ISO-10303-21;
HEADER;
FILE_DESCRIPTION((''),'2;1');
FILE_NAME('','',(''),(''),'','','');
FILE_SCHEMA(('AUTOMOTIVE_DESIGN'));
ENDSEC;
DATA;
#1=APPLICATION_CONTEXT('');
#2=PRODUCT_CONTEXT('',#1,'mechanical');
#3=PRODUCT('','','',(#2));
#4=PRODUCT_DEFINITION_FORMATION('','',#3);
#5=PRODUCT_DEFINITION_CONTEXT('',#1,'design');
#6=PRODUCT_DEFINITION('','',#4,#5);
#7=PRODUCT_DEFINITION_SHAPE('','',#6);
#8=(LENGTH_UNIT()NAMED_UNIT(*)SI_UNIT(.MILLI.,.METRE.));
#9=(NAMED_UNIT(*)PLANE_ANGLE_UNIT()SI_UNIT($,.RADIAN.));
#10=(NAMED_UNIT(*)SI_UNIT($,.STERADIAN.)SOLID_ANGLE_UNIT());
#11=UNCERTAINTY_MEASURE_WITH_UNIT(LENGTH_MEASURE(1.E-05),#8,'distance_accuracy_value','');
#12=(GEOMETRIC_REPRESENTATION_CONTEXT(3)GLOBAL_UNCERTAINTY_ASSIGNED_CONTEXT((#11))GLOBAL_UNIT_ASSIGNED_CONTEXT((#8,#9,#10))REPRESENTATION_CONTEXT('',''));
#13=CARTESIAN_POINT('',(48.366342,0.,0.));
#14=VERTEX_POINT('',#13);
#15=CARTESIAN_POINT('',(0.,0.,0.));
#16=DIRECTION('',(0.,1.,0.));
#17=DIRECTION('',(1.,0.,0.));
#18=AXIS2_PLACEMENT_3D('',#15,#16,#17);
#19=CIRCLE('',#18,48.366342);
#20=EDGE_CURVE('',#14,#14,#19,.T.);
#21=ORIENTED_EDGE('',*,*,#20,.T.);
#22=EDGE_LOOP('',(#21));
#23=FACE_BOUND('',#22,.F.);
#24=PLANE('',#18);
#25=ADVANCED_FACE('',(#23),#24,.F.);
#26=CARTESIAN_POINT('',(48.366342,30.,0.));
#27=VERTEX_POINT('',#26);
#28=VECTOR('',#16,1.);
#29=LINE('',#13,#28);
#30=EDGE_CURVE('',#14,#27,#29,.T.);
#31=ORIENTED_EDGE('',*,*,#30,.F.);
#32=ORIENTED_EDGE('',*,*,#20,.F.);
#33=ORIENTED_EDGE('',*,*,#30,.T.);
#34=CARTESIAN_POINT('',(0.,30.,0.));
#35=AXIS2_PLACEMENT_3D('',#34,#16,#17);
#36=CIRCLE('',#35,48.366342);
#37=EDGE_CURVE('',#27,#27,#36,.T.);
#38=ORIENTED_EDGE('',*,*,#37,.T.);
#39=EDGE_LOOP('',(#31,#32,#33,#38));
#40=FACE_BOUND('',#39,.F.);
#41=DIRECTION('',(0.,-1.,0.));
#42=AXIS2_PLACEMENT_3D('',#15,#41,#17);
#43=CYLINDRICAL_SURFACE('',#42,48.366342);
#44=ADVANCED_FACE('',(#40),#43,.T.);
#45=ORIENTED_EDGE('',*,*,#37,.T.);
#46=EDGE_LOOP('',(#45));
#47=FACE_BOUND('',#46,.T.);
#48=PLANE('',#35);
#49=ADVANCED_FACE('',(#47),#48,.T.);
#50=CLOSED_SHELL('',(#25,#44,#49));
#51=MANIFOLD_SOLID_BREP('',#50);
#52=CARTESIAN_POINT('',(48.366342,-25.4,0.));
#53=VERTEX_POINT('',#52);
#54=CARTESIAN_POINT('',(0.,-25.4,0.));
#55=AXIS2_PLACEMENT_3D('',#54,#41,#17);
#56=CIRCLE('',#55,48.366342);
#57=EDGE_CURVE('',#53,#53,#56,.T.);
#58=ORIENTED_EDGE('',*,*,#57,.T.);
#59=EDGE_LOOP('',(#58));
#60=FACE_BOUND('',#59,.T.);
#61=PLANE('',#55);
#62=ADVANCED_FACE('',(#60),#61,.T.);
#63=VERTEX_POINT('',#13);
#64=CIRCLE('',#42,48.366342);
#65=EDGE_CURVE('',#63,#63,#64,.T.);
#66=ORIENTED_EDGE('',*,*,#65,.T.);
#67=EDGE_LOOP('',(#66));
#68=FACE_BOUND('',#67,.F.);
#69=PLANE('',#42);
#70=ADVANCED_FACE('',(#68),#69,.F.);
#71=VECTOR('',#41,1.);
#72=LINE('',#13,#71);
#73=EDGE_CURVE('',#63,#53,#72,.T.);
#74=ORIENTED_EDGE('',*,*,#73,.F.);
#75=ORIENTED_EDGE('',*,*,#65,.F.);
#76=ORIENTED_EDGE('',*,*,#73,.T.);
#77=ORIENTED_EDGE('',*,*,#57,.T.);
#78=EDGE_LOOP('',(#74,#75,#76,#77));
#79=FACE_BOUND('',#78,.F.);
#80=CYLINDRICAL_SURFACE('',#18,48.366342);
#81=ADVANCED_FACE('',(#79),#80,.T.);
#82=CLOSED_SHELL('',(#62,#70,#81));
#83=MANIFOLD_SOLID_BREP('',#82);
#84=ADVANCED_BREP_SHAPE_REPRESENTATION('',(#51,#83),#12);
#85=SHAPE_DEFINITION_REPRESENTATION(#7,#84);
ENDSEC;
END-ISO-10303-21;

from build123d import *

# Parameters (mm, degrees)
F0_R      = 48.366342
F1_DEPTH  = 25.4
F1_FACE_R = 48.366342
F2_DEPTH  = 30


with BuildPart() as f1:
    # F0 (on Front) → F1 (new body)
    with BuildSketch(Plane.XZ):
        Circle(F0_R)
    extrude(amount=F1_DEPTH)


with BuildPart() as f2:
    # F1_face (on face) → F2 (new body)
    with BuildSketch(Plane(origin=(0, 0, 0), x_dir=(1, 0, 0), z_dir=(0, 1, 0))):
        Circle(F1_FACE_R)
    extrude(amount=F2_DEPTH)


solid = Compound([f1.part, f2.part])
